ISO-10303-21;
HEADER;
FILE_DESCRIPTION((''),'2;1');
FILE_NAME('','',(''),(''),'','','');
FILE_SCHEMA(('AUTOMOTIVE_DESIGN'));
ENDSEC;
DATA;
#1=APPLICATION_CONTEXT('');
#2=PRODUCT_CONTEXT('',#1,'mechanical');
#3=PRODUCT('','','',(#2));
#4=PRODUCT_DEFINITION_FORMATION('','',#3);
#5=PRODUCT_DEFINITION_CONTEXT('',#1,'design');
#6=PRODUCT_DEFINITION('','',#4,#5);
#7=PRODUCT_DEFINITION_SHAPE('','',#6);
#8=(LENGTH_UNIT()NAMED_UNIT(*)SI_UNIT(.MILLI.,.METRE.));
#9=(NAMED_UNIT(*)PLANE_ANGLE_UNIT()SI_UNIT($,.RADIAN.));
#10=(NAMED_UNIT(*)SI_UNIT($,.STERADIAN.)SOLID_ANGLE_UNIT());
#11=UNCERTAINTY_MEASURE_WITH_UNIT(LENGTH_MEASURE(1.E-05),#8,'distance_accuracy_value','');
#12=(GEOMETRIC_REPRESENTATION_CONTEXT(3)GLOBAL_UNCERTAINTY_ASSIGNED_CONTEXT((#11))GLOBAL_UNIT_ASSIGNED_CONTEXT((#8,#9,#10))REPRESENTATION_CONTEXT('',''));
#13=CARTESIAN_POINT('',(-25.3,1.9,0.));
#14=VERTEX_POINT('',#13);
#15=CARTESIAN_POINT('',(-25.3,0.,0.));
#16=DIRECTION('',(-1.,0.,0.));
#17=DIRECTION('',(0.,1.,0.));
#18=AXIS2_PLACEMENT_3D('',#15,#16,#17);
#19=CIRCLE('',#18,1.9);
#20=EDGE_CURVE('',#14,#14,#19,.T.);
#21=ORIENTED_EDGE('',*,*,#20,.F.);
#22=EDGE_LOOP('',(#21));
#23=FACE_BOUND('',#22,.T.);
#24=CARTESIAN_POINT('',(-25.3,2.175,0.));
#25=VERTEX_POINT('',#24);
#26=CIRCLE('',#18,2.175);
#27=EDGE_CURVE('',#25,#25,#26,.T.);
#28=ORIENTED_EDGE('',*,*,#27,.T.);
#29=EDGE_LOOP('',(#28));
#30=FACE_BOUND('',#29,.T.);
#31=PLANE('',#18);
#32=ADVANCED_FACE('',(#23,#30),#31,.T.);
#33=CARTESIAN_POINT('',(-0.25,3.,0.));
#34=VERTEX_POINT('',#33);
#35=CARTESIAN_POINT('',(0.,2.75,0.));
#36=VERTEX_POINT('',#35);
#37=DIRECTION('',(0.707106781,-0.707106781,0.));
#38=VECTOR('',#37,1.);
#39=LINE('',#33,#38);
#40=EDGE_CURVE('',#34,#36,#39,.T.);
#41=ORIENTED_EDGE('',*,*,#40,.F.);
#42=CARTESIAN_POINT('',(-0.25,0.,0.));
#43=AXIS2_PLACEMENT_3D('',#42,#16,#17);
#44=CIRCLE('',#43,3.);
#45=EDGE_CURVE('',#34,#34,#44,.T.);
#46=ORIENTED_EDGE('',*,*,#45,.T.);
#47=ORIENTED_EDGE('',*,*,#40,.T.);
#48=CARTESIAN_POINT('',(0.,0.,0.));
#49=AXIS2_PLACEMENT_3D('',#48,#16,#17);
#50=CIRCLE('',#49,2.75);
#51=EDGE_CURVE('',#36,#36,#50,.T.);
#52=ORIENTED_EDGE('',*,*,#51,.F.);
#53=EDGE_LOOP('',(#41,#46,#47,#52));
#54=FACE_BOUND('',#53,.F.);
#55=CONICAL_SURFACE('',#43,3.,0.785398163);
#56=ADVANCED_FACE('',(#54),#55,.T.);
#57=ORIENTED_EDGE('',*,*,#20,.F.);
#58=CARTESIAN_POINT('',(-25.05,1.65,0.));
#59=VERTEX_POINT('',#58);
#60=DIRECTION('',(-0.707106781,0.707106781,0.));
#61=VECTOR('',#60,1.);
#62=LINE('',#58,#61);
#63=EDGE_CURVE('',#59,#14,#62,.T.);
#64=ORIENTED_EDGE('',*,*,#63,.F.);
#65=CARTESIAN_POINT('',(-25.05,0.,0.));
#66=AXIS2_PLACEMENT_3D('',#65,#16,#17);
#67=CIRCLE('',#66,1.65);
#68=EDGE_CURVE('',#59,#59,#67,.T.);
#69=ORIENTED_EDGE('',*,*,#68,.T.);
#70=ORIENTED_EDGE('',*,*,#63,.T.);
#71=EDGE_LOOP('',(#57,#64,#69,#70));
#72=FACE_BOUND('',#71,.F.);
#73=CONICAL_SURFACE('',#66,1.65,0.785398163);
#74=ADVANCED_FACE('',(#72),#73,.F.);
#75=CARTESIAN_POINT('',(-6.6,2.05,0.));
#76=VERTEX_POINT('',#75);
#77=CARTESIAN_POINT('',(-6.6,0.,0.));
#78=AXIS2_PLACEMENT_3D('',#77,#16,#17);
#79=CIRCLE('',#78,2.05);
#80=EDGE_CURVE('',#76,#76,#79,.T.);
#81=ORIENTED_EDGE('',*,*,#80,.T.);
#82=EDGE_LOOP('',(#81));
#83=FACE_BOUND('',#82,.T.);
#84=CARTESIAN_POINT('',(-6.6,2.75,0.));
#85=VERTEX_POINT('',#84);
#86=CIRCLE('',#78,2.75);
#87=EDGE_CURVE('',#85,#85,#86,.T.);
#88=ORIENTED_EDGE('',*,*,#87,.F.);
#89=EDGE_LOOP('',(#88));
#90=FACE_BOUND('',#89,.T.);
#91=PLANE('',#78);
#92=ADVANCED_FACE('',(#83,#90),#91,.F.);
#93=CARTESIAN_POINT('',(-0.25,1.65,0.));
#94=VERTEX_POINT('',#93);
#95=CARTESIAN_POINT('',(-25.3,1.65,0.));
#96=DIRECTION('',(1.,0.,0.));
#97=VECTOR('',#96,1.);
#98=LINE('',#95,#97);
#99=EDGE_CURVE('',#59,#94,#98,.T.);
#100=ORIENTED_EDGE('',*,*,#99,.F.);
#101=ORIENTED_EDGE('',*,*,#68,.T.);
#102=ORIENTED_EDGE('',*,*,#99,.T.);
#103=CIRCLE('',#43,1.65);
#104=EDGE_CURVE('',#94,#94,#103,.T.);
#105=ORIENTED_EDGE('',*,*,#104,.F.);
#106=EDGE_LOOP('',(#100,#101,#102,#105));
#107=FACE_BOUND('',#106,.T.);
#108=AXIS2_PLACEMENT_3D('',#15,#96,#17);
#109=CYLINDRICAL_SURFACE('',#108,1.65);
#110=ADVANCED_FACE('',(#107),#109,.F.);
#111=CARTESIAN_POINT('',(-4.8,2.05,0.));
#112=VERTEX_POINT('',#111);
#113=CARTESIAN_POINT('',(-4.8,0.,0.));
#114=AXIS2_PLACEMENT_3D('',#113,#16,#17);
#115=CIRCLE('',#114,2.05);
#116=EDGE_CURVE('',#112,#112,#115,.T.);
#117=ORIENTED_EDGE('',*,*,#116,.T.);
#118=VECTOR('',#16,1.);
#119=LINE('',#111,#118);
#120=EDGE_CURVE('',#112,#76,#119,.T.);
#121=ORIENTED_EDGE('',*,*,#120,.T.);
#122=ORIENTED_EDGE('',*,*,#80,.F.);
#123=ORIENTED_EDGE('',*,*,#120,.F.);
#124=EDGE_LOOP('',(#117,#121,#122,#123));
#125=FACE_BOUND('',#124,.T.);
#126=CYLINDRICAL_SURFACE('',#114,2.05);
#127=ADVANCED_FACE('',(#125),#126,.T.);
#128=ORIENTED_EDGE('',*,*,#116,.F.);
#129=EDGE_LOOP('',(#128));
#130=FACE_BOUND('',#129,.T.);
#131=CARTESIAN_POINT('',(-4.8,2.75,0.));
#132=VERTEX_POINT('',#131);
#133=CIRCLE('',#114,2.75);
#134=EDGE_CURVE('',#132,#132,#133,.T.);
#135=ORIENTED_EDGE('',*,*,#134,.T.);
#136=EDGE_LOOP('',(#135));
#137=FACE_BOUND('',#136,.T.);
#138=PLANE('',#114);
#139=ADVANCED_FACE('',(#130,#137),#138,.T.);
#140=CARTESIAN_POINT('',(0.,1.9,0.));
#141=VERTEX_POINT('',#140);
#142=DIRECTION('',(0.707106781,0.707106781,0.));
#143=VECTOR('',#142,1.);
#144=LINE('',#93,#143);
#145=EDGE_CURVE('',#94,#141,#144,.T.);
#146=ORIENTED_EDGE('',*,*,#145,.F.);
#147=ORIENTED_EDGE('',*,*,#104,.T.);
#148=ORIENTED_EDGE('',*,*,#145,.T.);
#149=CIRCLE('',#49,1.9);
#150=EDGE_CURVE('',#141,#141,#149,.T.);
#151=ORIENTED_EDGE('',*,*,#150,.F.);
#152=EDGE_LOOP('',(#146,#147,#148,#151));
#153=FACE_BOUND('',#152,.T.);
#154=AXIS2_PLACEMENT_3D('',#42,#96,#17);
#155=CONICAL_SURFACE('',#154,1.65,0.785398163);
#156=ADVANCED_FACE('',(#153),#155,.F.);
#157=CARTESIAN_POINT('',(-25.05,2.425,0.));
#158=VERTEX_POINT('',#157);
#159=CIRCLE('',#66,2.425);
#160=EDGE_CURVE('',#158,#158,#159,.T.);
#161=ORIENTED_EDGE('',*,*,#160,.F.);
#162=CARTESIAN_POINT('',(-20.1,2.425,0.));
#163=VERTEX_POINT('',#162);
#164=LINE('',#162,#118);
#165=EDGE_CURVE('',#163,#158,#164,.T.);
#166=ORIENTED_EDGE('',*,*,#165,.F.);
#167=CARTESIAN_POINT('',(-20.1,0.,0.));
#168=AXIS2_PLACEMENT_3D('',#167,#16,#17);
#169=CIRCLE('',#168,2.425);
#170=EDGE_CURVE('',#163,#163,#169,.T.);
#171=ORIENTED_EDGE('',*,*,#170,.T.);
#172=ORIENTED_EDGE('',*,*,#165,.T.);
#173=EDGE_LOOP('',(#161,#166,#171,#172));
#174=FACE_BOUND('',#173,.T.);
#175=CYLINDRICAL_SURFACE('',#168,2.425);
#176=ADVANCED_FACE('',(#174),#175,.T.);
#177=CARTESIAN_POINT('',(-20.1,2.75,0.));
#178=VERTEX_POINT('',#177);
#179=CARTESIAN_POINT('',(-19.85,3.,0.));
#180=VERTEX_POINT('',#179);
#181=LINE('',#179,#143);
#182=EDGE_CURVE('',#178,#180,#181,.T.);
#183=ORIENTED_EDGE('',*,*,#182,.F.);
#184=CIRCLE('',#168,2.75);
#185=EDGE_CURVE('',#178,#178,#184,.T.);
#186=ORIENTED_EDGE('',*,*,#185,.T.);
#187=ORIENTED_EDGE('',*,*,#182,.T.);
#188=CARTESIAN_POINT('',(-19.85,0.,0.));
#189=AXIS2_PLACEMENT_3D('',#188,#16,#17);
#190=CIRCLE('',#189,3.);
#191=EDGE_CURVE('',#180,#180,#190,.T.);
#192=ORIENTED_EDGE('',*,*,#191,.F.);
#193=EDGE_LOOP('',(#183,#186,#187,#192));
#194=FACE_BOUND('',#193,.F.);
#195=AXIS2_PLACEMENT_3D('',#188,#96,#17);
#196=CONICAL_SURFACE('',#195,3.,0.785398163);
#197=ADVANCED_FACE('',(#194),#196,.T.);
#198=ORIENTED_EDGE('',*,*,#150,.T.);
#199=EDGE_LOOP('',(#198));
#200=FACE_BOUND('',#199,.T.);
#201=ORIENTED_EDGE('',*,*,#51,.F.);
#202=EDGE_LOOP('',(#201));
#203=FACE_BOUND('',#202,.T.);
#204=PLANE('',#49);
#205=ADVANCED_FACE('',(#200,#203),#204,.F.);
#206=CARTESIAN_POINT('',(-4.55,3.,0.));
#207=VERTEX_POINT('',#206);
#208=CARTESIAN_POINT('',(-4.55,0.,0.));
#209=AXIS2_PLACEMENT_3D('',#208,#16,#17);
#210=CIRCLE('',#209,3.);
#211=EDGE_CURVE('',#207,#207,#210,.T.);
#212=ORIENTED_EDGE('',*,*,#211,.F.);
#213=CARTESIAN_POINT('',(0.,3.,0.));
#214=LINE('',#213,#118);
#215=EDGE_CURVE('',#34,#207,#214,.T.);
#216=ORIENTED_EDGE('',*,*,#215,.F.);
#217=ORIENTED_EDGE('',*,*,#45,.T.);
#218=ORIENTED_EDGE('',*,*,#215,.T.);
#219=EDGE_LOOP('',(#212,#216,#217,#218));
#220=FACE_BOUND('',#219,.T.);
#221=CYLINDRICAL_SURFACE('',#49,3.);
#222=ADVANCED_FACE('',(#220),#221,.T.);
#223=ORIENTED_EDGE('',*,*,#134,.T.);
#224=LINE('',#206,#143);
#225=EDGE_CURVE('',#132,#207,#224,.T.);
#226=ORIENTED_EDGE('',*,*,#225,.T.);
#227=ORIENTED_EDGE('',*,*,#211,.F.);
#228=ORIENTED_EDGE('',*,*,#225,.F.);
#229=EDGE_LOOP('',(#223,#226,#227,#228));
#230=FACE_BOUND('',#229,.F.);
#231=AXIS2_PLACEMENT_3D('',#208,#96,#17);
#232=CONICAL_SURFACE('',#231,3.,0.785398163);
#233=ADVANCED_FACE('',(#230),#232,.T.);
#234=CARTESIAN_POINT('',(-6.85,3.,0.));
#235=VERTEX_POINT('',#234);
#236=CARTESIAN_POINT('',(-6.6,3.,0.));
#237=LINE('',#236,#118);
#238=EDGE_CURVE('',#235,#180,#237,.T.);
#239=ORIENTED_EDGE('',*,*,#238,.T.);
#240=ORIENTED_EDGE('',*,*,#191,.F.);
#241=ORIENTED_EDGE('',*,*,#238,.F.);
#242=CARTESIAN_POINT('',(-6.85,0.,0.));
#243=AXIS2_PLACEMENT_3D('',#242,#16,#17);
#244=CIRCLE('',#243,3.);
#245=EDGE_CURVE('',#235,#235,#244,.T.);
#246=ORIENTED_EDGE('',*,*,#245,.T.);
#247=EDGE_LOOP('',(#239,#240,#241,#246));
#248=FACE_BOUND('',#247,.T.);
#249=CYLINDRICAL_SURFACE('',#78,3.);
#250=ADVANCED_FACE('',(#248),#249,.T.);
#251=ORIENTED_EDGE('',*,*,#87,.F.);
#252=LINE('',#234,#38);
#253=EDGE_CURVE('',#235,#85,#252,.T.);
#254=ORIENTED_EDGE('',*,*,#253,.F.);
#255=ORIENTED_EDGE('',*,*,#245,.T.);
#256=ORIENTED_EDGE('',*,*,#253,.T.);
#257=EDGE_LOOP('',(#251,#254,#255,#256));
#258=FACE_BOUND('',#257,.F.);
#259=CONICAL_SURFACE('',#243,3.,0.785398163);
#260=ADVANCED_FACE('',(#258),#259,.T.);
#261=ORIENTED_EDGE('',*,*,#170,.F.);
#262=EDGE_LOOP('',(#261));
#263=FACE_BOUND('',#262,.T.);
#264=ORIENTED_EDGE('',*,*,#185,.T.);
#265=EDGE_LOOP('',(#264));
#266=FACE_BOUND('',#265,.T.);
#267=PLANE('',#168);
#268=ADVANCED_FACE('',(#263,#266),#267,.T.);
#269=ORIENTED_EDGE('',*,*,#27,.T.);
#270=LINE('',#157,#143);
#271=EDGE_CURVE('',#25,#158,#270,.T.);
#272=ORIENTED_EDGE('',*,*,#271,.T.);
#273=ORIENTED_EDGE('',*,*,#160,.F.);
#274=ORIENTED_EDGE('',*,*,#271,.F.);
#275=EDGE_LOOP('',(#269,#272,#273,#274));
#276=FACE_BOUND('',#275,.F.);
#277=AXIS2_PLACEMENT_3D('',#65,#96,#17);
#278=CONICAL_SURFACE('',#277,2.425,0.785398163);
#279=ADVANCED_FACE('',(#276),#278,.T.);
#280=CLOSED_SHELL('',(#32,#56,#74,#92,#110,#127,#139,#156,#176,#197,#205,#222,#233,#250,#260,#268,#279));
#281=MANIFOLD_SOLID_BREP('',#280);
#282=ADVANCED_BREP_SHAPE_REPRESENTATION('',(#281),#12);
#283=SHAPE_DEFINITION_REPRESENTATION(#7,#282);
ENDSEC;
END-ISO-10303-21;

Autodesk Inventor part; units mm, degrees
ref_plane "YZ Plane" through (0, 0, 0) normal (1, 0, 0) x (0, 1, 0)
ref_plane "XZ Plane" through (0, 0, 0) normal (0, 1, 0) x (-1, 0, 0)
ref_plane "XY Plane" through (0, 0, 0) normal (0, 0, 1) x (1, 0, 0)
sketch "Esquisse1" plane through (0, 0, 0) normal (0, 0, 1) x (1, 0, 0)
  line L0 (0, 1.65) -> (0, 3)
  line L1 (0, 3) -> (-4.8, 3)
  line L2 (-4.8, 3) -> (-4.8, 2.05)
  line L3 (-4.8, 2.05) -> (-6.6, 2.05)
  line L4 (-6.6, 2.05) -> (-6.6, 3)
  line L5 (-6.6, 3) -> (-20.1, 3)
  line L6 (-20.1, 3) -> (-20.1, 2.425)
  line L7 (-20.1, 2.425) -> (-25.3, 2.425)
  line L8 (-25.3, 2.425) -> (-25.3, 1.65)
  line L9 (-25.3, 1.65) -> (0, 1.65)
  line L10 (0, 0) -> (-19.9979, 0)
  dimension "d0" = 6
  dimension "d1" = 3.3
  dimension "d2" = 4.1
  dimension "d3" = 4.8
  dimension "d4" = 13.5
  dimension "d5" = 1.8
  dimension "d6" = 4.85
  dimension "d7" = 25.3
revolve "Révolution1" add sketch "Esquisse1" angle 360 about axis through (0, 0, 0) along (-1, 0, 0)
chamfer "Chanfrein1" distance 0.25 angle 45 7 edges at (0, -1.65, 0) (0, -3, 0) (-25.3, -2.425, 0) (-25.3, -1.65, 0) (-4.8, -3, 0) (-6.6, -3, 0) (-20.1, -3, 0)
thread "Filetage1" size "M6x1" class "6g" standard "ANSI Metric M Profile" full length
thread "Filetage2" size "M6x1" class "6g" standard "ANSI Metric M Profile" full length
properties part number "Vis de raccord" material "Acier"
